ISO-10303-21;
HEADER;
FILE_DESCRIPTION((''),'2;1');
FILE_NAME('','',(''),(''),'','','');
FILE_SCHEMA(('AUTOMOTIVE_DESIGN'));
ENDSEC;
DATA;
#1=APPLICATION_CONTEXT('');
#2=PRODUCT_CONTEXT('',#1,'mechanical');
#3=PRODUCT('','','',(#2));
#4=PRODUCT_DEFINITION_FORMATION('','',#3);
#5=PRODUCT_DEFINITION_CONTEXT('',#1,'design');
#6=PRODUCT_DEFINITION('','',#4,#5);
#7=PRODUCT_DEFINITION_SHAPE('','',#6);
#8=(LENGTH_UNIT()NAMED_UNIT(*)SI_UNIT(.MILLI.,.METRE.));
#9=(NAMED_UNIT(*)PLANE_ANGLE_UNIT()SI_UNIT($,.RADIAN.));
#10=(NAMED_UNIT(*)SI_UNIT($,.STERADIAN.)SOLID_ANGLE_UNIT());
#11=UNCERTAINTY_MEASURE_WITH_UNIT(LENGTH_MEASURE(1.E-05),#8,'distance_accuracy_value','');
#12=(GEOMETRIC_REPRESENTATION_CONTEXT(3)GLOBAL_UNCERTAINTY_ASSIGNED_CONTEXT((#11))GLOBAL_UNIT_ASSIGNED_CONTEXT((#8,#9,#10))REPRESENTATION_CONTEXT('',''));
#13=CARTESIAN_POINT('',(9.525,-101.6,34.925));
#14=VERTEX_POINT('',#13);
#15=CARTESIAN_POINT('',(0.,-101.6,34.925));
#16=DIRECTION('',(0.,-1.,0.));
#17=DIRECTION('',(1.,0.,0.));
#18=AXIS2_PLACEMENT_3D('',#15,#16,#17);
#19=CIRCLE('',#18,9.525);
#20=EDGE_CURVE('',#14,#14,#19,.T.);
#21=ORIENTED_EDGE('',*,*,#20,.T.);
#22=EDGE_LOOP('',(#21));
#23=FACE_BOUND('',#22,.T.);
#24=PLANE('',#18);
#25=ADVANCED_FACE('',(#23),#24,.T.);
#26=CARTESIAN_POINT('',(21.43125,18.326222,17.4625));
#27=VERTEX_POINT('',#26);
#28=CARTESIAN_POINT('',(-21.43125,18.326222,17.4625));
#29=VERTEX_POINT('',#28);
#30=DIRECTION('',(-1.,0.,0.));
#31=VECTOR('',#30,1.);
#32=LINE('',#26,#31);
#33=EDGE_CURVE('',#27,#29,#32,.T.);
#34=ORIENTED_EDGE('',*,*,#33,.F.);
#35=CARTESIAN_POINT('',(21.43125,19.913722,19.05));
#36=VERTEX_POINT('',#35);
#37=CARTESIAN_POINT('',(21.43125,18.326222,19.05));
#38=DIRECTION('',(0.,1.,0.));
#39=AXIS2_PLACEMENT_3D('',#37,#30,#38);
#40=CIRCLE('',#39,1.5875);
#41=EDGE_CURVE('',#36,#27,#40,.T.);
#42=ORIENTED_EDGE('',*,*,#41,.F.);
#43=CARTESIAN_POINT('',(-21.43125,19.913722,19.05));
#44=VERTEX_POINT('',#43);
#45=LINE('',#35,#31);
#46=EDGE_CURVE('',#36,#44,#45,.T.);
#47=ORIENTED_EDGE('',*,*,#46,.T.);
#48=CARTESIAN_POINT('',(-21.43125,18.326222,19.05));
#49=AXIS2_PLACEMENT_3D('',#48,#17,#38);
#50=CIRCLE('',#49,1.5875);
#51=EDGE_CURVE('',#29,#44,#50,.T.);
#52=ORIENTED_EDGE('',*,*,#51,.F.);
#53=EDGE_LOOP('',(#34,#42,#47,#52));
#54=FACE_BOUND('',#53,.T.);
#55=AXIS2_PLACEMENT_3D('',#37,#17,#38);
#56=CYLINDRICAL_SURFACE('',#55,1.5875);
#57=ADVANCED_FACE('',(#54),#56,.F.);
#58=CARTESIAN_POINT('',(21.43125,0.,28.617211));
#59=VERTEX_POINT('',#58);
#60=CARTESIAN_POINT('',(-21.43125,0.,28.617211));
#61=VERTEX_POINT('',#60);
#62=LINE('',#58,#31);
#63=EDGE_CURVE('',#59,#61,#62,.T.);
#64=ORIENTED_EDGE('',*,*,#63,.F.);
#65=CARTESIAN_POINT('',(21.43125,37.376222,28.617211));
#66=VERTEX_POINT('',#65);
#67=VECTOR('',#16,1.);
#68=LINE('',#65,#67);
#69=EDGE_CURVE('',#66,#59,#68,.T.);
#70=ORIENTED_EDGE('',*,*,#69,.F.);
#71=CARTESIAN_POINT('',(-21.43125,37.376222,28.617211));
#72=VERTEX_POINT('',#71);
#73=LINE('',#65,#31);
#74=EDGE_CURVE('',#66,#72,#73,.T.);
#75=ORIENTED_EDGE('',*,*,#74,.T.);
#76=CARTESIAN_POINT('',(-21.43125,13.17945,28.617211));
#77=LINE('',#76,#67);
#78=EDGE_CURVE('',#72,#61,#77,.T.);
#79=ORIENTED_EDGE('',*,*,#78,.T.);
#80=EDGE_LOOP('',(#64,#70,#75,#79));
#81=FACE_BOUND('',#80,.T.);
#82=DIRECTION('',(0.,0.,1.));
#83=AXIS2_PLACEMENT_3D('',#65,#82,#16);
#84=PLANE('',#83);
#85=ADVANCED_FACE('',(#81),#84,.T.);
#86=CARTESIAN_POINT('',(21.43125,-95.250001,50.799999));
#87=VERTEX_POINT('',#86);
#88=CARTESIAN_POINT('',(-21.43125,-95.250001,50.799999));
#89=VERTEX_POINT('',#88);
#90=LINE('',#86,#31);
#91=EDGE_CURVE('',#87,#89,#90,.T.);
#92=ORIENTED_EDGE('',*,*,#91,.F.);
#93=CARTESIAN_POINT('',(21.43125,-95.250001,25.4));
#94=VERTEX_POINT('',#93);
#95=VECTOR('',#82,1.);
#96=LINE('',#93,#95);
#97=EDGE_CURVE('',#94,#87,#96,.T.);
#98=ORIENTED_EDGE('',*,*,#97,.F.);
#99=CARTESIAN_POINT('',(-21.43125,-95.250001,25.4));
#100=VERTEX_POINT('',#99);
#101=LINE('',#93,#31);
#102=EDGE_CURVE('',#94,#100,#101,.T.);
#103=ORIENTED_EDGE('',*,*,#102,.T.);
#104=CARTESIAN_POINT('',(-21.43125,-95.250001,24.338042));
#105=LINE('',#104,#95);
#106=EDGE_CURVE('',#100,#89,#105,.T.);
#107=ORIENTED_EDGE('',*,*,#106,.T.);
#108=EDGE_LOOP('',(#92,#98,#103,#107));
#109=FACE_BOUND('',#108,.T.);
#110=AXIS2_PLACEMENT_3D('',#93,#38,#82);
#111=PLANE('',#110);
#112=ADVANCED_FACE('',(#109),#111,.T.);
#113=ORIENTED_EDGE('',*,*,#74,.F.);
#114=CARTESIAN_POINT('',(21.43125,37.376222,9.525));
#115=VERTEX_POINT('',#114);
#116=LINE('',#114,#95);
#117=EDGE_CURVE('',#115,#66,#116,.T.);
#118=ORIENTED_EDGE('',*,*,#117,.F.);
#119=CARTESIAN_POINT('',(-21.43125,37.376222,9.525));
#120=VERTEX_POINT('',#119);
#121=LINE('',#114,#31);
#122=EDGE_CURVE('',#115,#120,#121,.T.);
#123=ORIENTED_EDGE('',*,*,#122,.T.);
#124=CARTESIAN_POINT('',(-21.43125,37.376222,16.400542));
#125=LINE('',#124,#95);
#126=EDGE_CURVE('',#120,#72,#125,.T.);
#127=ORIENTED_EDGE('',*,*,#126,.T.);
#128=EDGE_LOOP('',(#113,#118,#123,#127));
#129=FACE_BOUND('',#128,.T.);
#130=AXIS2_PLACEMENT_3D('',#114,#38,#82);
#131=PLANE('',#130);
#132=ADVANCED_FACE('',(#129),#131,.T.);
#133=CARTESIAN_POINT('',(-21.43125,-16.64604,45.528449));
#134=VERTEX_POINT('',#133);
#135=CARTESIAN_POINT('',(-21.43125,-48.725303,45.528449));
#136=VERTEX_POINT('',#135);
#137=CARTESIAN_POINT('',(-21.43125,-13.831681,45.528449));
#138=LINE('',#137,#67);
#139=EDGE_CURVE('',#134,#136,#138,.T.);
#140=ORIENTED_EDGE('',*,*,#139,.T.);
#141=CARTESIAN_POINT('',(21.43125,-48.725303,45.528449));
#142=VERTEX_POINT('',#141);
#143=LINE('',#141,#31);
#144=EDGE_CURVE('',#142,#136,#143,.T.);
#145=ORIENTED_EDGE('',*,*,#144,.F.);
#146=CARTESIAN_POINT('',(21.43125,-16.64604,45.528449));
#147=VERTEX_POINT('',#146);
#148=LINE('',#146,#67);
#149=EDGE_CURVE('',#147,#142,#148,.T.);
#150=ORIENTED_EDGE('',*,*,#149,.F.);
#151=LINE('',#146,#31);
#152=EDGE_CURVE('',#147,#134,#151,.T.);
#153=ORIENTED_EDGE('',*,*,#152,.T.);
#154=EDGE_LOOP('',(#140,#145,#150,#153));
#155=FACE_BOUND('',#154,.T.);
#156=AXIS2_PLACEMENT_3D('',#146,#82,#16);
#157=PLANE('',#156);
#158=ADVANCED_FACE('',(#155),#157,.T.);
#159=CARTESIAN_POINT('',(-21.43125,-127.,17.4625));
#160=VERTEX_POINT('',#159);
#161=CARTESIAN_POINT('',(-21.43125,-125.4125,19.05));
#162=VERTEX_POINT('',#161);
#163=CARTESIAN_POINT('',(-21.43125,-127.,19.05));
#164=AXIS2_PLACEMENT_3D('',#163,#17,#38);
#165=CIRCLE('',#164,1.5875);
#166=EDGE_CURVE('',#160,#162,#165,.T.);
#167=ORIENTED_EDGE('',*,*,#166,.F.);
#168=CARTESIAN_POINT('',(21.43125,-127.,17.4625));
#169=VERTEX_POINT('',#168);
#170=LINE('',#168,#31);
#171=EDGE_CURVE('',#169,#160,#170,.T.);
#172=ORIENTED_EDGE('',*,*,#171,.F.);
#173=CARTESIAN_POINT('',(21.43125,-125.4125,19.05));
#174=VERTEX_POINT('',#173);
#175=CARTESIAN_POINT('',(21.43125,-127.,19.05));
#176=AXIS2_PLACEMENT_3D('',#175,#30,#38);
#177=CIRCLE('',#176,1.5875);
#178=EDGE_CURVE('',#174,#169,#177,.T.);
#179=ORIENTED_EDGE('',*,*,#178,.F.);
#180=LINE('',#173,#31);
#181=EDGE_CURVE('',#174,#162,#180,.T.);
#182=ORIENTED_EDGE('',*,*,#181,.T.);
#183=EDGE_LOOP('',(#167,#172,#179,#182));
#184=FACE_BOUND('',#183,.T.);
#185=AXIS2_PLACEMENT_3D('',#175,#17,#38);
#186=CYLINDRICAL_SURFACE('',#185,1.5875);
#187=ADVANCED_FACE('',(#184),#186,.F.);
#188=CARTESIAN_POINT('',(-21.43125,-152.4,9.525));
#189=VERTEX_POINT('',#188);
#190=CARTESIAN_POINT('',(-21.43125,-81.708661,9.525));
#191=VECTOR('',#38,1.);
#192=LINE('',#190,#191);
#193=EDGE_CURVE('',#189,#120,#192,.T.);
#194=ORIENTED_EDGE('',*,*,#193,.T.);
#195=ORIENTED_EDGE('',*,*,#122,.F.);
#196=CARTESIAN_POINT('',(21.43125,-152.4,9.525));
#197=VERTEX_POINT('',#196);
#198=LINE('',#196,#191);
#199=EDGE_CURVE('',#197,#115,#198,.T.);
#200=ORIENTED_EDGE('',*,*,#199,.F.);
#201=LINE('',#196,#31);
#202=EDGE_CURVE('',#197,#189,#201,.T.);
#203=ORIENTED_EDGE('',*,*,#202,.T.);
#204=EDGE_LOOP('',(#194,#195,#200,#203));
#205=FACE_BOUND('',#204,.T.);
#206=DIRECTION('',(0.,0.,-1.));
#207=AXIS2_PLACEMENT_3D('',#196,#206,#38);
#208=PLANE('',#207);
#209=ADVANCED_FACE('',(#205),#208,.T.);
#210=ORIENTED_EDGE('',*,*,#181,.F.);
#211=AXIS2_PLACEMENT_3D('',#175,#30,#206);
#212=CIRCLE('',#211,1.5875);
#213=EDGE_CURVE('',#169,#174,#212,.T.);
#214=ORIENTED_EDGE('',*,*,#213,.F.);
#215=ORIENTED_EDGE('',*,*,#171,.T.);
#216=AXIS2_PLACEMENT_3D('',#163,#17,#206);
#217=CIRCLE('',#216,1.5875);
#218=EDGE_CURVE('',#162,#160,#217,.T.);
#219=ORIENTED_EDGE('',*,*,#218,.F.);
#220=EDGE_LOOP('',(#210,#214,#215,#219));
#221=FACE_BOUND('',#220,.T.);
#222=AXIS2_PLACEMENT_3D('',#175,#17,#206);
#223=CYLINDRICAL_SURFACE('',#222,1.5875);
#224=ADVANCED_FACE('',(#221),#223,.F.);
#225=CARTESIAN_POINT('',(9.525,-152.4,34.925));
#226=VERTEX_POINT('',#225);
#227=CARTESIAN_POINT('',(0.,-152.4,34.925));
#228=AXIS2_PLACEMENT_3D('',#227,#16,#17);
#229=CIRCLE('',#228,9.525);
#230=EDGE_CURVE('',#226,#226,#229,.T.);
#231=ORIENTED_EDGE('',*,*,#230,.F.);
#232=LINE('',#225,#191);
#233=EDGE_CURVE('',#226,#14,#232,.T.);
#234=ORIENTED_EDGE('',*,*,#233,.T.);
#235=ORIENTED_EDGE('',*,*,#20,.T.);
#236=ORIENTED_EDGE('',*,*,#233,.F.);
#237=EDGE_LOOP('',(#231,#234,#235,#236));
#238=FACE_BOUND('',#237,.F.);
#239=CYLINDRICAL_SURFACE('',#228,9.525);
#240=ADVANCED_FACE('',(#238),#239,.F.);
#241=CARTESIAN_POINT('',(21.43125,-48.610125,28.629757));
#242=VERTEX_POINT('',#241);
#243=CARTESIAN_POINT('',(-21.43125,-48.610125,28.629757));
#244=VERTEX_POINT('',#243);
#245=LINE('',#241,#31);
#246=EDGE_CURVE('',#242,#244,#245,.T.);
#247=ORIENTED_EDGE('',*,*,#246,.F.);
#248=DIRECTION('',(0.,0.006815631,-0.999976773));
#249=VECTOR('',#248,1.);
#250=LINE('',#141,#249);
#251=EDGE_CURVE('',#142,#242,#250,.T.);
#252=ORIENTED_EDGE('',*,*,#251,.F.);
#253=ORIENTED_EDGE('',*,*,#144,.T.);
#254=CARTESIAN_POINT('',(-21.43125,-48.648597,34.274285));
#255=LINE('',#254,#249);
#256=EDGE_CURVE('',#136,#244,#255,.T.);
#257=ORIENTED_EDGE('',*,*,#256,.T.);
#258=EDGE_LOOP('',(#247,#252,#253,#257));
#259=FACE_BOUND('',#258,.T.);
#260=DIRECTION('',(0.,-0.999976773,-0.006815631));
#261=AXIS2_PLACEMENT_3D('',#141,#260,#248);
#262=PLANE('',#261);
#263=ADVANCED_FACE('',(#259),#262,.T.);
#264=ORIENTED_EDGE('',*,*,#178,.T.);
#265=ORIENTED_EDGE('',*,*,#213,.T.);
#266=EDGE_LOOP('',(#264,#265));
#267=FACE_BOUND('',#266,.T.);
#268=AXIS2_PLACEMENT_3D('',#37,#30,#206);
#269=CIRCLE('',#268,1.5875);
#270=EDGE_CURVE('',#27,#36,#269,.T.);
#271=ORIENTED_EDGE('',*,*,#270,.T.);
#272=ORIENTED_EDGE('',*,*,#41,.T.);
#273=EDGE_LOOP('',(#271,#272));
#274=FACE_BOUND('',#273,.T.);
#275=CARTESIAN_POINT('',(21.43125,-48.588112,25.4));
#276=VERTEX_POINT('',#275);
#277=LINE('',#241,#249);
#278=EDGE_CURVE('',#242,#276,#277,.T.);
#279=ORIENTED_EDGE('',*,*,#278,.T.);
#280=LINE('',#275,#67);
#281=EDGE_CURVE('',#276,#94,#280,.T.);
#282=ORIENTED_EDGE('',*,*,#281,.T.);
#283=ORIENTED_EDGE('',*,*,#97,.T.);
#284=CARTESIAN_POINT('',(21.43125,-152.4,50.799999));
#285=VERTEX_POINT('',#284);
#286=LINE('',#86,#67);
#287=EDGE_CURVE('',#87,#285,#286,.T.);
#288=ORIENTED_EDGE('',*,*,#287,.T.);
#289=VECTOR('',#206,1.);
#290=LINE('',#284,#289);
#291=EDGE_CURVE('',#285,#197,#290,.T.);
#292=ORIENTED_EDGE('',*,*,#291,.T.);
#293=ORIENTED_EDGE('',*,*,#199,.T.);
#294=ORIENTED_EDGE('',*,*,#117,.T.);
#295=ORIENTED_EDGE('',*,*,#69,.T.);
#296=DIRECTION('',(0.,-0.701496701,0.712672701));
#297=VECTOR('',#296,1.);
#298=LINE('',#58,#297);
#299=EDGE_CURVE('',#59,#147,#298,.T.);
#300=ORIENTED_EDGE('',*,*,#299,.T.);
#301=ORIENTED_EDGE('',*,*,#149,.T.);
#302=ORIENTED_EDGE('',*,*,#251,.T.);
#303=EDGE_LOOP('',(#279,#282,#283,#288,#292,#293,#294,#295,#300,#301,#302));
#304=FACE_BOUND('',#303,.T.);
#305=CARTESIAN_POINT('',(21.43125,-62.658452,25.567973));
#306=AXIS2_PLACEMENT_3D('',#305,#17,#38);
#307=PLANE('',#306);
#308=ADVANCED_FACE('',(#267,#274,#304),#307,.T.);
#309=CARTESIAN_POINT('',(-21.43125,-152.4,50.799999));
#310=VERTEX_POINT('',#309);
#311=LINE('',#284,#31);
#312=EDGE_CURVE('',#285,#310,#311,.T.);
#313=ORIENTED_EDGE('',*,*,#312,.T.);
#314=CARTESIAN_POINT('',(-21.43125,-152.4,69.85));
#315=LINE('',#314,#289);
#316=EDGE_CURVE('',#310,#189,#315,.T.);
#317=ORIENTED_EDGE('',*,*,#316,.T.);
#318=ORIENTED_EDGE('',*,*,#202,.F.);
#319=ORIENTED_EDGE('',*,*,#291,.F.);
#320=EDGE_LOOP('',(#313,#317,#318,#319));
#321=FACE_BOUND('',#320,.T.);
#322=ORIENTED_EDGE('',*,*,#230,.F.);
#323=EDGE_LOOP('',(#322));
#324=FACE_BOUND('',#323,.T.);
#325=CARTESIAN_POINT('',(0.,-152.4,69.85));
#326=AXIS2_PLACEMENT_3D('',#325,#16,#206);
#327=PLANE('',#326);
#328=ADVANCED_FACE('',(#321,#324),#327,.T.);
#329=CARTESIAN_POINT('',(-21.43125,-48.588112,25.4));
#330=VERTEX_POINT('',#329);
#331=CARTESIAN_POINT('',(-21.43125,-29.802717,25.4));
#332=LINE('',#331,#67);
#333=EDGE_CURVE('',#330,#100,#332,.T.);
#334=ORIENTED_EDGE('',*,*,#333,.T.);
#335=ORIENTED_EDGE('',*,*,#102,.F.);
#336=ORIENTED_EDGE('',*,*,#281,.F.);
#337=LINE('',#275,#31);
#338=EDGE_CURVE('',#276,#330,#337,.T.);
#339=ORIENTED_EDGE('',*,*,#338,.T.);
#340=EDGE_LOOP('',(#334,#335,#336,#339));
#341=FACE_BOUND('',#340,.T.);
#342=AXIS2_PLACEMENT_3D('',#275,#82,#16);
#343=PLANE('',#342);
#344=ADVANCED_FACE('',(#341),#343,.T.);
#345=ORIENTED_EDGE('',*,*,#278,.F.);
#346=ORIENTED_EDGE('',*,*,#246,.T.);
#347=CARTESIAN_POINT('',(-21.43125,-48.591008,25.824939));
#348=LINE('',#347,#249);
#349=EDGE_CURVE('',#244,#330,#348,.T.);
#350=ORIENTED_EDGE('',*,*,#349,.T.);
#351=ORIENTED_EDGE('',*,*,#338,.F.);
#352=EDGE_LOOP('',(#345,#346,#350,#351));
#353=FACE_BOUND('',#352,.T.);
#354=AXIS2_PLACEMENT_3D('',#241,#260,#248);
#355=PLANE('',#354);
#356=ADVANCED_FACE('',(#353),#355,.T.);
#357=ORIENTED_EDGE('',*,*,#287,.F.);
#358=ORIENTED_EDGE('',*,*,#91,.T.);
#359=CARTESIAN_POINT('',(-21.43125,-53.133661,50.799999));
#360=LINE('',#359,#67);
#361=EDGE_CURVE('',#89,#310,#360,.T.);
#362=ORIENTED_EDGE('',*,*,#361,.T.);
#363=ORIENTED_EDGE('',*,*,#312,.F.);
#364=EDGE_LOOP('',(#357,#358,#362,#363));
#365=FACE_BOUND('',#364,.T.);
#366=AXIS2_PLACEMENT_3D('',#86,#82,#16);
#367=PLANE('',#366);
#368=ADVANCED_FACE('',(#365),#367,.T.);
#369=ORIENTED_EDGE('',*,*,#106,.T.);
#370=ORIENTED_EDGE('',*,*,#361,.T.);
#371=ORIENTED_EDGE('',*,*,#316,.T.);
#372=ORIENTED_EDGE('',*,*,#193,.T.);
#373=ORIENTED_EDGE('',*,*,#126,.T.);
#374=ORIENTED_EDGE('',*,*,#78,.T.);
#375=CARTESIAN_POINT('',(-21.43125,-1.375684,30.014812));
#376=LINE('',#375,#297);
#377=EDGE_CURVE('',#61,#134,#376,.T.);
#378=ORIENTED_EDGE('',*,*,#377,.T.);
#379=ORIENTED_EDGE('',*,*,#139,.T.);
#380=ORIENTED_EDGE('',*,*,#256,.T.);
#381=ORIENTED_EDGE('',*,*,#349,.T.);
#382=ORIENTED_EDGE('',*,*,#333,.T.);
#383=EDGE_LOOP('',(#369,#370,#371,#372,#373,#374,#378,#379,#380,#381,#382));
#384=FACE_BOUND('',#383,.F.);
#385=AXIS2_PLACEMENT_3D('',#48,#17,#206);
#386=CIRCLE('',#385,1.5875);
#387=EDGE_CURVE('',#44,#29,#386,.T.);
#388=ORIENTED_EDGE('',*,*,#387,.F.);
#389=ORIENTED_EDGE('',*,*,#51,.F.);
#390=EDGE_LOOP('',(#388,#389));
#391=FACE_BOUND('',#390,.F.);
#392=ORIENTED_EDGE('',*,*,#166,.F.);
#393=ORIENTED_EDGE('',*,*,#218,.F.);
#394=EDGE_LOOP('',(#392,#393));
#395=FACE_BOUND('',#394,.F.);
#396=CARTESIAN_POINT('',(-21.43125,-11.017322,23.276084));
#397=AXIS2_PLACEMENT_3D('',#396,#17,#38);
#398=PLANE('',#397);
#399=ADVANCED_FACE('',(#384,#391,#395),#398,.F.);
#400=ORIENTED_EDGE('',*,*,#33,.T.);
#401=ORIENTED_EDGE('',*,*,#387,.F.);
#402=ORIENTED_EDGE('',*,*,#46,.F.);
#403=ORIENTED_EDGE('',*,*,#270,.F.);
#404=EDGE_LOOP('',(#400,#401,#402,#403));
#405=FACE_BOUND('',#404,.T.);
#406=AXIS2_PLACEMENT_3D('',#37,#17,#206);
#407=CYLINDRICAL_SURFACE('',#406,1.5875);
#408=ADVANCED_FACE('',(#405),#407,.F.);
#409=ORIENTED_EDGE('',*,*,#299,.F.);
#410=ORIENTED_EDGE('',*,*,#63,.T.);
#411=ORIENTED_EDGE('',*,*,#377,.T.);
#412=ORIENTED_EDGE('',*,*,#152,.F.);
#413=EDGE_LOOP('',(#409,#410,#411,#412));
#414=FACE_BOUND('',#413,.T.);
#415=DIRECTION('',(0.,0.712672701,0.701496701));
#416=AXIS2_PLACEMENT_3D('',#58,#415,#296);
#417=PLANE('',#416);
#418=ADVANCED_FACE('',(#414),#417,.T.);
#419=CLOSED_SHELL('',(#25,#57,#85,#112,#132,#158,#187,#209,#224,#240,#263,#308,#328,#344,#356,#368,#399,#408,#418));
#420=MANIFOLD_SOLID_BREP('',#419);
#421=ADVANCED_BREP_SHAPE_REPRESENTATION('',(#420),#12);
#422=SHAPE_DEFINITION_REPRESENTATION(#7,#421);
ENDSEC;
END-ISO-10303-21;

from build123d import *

# Parameters (mm, degrees)
F1_DEPTH = 21.43125
F2_R     = 9.525
F3_DEPTH = 50.8
F5_DEPTH = 42.8635


with BuildPart() as f1:
    # F0 (on Right) → F1 (new body, symmetric)
    with BuildSketch(Plane.YZ):
        Polygon((-152.4, 69.85), (-152.4, 0), (152.4, 0), (152.4, 19.05), align=None)
    extrude(amount=F1_DEPTH, both=True)

    # F2 (on face) → F3 (cut)
    with BuildSketch(Plane.XZ.offset(152.4)):
        with Locations((0, 34.925)):
            Circle(F2_R)
    extrude(amount=-F3_DEPTH, mode=Mode.SUBTRACT)

    # F4 (on face) → F5 (intersect, through all)
    with BuildSketch(Plane.YZ.offset(21.43125)):
        Polygon((-16.6460395549, 45.5284491181), (-48.7253032625, 45.5284491181), (-48.6101253426, 28.6297574639), (-48.5881119967, 25.4), (-48.7253032625, 25.4), (-95.2500006139, 25.4), (-95.2500006139, 50.7999987721), (-152.4, 50.7999987721), (-152.4, 9.525), (-127, 9.525), (18.3262217238, 9.525), (37.3762217238, 9.525), (37.3762217238, 28.6172106862), (0, 28.6172106862), align=None)
        with BuildLine():
            ThreePointArc((-125.4125, 19.05), (-125.8774679849, 17.9274679849), (-127, 17.4625))
            ThreePointArc((-127, 17.4625), (-128.1225320151, 20.1725320151), (-125.4125, 19.05))
        make_face(mode=Mode.SUBTRACT)
        with BuildLine():
            ThreePointArc((19.9137217238, 19.05), (19.448753739, 17.9274679849), (18.3262217238, 17.4625))
            ThreePointArc((18.3262217238, 17.4625), (17.2036897087, 20.1725320151), (19.9137217238, 19.05))
        make_face(mode=Mode.SUBTRACT)
    extrude(amount=-F5_DEPTH, mode=Mode.INTERSECT)


solid = f1.part
